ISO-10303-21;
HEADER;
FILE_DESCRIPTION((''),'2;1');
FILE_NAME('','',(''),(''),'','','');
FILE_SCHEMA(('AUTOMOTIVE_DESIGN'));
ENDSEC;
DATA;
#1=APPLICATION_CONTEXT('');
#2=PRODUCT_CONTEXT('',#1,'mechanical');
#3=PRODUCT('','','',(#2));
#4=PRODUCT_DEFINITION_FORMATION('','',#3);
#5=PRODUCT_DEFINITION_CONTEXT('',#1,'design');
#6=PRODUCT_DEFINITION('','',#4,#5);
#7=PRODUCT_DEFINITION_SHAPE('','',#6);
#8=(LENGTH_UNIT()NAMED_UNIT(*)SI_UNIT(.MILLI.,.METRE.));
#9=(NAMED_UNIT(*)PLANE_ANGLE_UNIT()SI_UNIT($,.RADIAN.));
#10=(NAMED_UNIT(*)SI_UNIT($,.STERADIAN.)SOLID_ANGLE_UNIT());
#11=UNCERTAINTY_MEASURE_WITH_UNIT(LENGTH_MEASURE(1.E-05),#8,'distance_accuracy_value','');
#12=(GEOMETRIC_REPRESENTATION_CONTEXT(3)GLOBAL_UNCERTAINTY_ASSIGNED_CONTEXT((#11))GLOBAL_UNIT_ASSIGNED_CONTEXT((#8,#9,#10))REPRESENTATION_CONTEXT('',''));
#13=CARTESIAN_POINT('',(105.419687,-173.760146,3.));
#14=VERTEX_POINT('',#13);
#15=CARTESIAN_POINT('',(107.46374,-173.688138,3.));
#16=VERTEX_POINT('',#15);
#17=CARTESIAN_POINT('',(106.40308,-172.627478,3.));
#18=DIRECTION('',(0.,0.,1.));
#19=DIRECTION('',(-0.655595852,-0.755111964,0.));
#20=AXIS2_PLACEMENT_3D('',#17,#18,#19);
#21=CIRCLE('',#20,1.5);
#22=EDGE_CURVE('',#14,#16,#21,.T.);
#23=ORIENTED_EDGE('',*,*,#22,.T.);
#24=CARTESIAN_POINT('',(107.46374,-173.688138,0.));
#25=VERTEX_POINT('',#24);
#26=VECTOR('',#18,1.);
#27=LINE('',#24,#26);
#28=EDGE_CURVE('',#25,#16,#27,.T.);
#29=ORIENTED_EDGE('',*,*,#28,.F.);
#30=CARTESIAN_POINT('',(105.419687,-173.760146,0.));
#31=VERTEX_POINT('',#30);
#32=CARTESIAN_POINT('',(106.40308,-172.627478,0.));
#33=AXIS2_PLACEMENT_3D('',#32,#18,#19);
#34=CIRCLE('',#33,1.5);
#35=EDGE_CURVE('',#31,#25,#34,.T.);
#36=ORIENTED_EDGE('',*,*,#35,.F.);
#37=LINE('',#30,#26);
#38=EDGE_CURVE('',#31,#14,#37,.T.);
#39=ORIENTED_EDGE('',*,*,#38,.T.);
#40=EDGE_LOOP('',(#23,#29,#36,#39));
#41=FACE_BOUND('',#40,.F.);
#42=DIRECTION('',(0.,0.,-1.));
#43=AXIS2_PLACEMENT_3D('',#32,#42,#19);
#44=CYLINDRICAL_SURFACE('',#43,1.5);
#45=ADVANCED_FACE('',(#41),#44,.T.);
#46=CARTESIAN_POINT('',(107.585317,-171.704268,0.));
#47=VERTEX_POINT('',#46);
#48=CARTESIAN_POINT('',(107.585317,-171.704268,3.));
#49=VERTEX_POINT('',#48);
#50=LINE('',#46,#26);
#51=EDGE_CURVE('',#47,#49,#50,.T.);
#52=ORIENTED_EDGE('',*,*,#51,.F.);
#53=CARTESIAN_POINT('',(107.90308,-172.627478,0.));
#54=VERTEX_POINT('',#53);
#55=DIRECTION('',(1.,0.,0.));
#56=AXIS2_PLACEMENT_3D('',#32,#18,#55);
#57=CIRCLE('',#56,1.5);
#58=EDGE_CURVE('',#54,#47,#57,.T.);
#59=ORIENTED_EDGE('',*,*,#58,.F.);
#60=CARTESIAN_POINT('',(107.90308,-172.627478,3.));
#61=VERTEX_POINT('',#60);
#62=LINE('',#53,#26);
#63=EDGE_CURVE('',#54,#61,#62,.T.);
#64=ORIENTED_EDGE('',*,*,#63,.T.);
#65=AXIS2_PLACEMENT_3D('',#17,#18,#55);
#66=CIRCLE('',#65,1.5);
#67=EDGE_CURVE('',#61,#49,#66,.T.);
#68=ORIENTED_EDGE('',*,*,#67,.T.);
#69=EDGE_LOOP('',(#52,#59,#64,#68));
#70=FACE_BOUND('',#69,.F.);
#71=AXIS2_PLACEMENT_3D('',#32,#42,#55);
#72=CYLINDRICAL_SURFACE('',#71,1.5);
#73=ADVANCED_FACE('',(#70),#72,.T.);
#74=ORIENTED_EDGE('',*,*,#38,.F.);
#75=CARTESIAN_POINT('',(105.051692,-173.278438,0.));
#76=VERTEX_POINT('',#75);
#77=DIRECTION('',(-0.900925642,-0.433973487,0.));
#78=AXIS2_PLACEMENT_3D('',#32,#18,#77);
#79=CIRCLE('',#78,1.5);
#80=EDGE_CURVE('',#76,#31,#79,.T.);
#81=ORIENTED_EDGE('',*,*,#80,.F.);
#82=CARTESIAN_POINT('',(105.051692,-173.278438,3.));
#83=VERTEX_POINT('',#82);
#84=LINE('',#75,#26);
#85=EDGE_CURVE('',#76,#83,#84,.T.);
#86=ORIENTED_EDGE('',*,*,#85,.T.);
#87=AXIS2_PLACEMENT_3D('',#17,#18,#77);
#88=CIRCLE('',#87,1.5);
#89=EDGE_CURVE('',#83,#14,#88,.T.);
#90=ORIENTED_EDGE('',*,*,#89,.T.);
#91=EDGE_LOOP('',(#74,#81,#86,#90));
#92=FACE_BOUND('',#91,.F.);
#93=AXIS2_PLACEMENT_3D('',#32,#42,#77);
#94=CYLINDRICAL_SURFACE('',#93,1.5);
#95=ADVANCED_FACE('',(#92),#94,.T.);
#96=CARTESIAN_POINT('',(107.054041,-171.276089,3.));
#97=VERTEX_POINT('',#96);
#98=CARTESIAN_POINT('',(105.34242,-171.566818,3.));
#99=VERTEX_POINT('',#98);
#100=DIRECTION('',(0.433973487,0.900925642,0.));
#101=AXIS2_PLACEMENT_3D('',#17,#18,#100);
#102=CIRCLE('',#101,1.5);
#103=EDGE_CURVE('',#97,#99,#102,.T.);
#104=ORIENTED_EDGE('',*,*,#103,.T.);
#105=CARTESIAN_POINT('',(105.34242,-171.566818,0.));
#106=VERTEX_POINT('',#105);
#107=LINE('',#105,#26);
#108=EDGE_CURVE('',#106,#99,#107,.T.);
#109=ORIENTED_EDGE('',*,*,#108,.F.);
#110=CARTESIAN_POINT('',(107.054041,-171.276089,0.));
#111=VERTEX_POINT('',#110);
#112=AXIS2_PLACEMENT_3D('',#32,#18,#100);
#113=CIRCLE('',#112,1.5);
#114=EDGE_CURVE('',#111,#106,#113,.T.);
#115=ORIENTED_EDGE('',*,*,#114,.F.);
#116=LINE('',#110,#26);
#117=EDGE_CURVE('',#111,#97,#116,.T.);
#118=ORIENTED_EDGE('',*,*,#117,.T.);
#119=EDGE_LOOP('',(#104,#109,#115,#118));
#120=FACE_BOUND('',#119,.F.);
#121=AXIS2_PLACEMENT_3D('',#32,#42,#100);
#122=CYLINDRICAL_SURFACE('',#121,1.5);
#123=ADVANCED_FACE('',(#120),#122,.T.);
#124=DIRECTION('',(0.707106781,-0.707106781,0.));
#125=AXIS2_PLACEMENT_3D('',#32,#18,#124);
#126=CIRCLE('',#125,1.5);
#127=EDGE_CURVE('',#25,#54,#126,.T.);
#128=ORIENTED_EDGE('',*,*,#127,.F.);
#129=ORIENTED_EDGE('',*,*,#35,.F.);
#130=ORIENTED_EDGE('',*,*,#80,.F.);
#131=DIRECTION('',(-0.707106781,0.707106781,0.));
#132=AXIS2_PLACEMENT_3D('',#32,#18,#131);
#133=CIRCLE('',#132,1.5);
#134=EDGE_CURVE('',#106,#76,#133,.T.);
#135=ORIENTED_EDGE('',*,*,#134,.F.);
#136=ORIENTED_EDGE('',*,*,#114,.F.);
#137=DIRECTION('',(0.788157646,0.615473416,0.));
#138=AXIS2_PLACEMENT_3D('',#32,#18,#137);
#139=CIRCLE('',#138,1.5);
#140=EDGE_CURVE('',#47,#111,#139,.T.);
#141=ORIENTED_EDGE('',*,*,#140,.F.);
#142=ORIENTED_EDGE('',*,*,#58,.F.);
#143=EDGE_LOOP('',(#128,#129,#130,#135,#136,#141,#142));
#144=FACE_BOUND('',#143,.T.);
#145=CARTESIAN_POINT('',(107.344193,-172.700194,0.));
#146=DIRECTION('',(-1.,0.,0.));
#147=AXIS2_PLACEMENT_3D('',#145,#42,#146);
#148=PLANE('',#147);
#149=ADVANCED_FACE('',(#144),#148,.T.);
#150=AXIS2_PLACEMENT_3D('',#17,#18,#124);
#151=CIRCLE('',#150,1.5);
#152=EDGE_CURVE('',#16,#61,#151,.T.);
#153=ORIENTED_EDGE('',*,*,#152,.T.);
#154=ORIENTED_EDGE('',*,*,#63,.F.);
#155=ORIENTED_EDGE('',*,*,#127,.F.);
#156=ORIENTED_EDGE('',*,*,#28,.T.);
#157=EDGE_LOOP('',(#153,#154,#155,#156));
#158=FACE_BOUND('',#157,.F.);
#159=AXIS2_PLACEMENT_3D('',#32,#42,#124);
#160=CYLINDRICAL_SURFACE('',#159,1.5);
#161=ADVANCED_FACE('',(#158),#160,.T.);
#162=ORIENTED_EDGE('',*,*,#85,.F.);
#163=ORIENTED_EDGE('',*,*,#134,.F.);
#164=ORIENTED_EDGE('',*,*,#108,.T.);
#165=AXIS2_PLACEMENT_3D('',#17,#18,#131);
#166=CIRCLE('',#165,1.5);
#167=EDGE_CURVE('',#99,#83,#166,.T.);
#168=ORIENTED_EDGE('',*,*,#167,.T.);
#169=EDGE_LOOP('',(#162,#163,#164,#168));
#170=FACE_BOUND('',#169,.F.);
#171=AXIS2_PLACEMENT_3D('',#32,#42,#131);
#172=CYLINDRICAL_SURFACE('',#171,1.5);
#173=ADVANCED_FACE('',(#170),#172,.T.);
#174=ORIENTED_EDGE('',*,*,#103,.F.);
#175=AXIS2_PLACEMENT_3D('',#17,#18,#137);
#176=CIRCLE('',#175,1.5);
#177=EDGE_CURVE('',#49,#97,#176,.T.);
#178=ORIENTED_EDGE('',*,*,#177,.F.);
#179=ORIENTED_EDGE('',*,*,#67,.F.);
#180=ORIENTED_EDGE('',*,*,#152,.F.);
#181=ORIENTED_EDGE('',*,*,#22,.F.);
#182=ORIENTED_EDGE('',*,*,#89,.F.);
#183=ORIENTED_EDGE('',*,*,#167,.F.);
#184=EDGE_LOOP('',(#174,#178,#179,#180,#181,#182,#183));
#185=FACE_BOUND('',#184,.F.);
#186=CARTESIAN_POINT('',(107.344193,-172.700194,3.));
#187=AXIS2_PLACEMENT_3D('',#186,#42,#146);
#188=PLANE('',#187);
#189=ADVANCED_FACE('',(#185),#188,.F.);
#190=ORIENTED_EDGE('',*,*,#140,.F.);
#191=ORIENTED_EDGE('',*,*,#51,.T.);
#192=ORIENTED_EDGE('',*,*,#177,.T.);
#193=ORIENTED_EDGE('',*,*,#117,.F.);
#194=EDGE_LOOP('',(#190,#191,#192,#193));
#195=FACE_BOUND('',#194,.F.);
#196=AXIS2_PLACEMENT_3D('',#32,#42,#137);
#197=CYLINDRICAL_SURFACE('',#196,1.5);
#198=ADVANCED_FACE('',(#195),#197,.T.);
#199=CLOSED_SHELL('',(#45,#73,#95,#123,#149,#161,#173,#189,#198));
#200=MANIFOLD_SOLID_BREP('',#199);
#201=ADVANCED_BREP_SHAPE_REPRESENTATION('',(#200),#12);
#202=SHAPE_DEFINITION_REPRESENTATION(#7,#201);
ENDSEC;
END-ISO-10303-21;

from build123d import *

# Parameters (mm, degrees)
F1_DEPTH = 3


with BuildPart() as f1:
    # F0 (on Top) → F1 (new body)
    with BuildSketch(Plane.XY):
        with BuildLine():
            add(Edge.make_bspline(
                [(106.5138728984, -172.7382705017), (106.8738569817, -172.3965421057), (107.2310443428, -172.0518793198), (107.5853167864, -171.7042677973)],
                knots=[422.4622501574, 422.4622501574, 422.4622501574, 422.4622501574, 423.9506529513, 423.9506529513, 423.9506529513, 423.9506529513], degree=3))
            Line((106.5138728987, -172.7382705019), (107.4637404903, -173.6881380935))
            ThreePointArc((107.4637404903, -173.6881380935), (107.7888996172, -173.2015030703), (107.9030803185, -172.6274779217))
            ThreePointArc((107.9030803185, -172.6274779217), (107.8214164391, -172.1392949141), (107.5853167866, -171.7042677976))
        make_face()
        with BuildLine():
            Line((107.0540405494, -171.2760894588), (106.0528662025, -172.2772638057))
            Line((106.0528662025, -172.2772638057), (106.5138728987, -172.7382705019))
            add(Edge.make_bspline(
                [(106.5138728984, -172.7382705017), (106.8738569817, -172.3965421057), (107.2310443428, -172.0518793198), (107.5853167864, -171.7042677973)],
                knots=[422.4622501574, 422.4622501574, 422.4622501574, 422.4622501574, 423.9506529513, 423.9506529513, 423.9506529513, 423.9506529513], degree=3))
            ThreePointArc((107.5853167866, -171.7042677976), (107.3443489872, -171.459568125), (107.0540405494, -171.2760894588))
        make_face()
        with BuildLine():
            ThreePointArc((107.0540405494, -171.2760894588), (106.1518946397, -171.1486588811), (105.3424201467, -171.5668177499))
            Line((105.3424201467, -171.5668177499), (106.0528662025, -172.2772638057))
            Line((106.0528662025, -172.2772638057), (107.0540405494, -171.2760894588))
        make_face()
        with BuildLine():
            Line((106.0528662025, -172.2772638057), (105.3424201467, -171.5668177499))
            ThreePointArc((105.3424201467, -171.5668177499), (104.9242612779, -172.376292243), (105.0516918555, -173.2784381526))
            Line((105.0516918555, -173.2784381526), (106.0528662025, -172.2772638057))
        make_face()
        with BuildLine():
            ThreePointArc((105.0516918555, -173.2784381526), (105.2111018752, -173.5380751932), (105.4196865403, -173.7601458682))
            add(Edge.make_bspline(
                [(105.4196865401, -173.760145868), (105.7871624576, -173.4224774148), (106.1519312885, -173.0818571533), (106.5138728984, -172.7382705017)],
                knots=[420.9657537049, 420.9657537049, 420.9657537049, 420.9657537049, 422.4622501574, 422.4622501574, 422.4622501574, 422.4622501574], degree=3))
            Line((106.5138728987, -172.7382705019), (106.0528662025, -172.2772638057))
            Line((106.0528662025, -172.2772638057), (105.0516918555, -173.2784381526))
        make_face()
        with BuildLine():
            add(Edge.make_bspline(
                [(105.4196865401, -173.760145868), (105.7871624576, -173.4224774148), (106.1519312885, -173.0818571533), (106.5138728984, -172.7382705017)],
                knots=[420.9657537049, 420.9657537049, 420.9657537049, 420.9657537049, 422.4622501574, 422.4622501574, 422.4622501574, 422.4622501574], degree=3))
            ThreePointArc((105.4196865403, -173.7601458682), (106.4558894446, -174.1265480322), (107.4637404903, -173.6881380935))
            Line((107.4637404903, -173.6881380935), (106.5138728987, -172.7382705019))
        make_face()
    extrude(amount=F1_DEPTH)


solid = f1.part
